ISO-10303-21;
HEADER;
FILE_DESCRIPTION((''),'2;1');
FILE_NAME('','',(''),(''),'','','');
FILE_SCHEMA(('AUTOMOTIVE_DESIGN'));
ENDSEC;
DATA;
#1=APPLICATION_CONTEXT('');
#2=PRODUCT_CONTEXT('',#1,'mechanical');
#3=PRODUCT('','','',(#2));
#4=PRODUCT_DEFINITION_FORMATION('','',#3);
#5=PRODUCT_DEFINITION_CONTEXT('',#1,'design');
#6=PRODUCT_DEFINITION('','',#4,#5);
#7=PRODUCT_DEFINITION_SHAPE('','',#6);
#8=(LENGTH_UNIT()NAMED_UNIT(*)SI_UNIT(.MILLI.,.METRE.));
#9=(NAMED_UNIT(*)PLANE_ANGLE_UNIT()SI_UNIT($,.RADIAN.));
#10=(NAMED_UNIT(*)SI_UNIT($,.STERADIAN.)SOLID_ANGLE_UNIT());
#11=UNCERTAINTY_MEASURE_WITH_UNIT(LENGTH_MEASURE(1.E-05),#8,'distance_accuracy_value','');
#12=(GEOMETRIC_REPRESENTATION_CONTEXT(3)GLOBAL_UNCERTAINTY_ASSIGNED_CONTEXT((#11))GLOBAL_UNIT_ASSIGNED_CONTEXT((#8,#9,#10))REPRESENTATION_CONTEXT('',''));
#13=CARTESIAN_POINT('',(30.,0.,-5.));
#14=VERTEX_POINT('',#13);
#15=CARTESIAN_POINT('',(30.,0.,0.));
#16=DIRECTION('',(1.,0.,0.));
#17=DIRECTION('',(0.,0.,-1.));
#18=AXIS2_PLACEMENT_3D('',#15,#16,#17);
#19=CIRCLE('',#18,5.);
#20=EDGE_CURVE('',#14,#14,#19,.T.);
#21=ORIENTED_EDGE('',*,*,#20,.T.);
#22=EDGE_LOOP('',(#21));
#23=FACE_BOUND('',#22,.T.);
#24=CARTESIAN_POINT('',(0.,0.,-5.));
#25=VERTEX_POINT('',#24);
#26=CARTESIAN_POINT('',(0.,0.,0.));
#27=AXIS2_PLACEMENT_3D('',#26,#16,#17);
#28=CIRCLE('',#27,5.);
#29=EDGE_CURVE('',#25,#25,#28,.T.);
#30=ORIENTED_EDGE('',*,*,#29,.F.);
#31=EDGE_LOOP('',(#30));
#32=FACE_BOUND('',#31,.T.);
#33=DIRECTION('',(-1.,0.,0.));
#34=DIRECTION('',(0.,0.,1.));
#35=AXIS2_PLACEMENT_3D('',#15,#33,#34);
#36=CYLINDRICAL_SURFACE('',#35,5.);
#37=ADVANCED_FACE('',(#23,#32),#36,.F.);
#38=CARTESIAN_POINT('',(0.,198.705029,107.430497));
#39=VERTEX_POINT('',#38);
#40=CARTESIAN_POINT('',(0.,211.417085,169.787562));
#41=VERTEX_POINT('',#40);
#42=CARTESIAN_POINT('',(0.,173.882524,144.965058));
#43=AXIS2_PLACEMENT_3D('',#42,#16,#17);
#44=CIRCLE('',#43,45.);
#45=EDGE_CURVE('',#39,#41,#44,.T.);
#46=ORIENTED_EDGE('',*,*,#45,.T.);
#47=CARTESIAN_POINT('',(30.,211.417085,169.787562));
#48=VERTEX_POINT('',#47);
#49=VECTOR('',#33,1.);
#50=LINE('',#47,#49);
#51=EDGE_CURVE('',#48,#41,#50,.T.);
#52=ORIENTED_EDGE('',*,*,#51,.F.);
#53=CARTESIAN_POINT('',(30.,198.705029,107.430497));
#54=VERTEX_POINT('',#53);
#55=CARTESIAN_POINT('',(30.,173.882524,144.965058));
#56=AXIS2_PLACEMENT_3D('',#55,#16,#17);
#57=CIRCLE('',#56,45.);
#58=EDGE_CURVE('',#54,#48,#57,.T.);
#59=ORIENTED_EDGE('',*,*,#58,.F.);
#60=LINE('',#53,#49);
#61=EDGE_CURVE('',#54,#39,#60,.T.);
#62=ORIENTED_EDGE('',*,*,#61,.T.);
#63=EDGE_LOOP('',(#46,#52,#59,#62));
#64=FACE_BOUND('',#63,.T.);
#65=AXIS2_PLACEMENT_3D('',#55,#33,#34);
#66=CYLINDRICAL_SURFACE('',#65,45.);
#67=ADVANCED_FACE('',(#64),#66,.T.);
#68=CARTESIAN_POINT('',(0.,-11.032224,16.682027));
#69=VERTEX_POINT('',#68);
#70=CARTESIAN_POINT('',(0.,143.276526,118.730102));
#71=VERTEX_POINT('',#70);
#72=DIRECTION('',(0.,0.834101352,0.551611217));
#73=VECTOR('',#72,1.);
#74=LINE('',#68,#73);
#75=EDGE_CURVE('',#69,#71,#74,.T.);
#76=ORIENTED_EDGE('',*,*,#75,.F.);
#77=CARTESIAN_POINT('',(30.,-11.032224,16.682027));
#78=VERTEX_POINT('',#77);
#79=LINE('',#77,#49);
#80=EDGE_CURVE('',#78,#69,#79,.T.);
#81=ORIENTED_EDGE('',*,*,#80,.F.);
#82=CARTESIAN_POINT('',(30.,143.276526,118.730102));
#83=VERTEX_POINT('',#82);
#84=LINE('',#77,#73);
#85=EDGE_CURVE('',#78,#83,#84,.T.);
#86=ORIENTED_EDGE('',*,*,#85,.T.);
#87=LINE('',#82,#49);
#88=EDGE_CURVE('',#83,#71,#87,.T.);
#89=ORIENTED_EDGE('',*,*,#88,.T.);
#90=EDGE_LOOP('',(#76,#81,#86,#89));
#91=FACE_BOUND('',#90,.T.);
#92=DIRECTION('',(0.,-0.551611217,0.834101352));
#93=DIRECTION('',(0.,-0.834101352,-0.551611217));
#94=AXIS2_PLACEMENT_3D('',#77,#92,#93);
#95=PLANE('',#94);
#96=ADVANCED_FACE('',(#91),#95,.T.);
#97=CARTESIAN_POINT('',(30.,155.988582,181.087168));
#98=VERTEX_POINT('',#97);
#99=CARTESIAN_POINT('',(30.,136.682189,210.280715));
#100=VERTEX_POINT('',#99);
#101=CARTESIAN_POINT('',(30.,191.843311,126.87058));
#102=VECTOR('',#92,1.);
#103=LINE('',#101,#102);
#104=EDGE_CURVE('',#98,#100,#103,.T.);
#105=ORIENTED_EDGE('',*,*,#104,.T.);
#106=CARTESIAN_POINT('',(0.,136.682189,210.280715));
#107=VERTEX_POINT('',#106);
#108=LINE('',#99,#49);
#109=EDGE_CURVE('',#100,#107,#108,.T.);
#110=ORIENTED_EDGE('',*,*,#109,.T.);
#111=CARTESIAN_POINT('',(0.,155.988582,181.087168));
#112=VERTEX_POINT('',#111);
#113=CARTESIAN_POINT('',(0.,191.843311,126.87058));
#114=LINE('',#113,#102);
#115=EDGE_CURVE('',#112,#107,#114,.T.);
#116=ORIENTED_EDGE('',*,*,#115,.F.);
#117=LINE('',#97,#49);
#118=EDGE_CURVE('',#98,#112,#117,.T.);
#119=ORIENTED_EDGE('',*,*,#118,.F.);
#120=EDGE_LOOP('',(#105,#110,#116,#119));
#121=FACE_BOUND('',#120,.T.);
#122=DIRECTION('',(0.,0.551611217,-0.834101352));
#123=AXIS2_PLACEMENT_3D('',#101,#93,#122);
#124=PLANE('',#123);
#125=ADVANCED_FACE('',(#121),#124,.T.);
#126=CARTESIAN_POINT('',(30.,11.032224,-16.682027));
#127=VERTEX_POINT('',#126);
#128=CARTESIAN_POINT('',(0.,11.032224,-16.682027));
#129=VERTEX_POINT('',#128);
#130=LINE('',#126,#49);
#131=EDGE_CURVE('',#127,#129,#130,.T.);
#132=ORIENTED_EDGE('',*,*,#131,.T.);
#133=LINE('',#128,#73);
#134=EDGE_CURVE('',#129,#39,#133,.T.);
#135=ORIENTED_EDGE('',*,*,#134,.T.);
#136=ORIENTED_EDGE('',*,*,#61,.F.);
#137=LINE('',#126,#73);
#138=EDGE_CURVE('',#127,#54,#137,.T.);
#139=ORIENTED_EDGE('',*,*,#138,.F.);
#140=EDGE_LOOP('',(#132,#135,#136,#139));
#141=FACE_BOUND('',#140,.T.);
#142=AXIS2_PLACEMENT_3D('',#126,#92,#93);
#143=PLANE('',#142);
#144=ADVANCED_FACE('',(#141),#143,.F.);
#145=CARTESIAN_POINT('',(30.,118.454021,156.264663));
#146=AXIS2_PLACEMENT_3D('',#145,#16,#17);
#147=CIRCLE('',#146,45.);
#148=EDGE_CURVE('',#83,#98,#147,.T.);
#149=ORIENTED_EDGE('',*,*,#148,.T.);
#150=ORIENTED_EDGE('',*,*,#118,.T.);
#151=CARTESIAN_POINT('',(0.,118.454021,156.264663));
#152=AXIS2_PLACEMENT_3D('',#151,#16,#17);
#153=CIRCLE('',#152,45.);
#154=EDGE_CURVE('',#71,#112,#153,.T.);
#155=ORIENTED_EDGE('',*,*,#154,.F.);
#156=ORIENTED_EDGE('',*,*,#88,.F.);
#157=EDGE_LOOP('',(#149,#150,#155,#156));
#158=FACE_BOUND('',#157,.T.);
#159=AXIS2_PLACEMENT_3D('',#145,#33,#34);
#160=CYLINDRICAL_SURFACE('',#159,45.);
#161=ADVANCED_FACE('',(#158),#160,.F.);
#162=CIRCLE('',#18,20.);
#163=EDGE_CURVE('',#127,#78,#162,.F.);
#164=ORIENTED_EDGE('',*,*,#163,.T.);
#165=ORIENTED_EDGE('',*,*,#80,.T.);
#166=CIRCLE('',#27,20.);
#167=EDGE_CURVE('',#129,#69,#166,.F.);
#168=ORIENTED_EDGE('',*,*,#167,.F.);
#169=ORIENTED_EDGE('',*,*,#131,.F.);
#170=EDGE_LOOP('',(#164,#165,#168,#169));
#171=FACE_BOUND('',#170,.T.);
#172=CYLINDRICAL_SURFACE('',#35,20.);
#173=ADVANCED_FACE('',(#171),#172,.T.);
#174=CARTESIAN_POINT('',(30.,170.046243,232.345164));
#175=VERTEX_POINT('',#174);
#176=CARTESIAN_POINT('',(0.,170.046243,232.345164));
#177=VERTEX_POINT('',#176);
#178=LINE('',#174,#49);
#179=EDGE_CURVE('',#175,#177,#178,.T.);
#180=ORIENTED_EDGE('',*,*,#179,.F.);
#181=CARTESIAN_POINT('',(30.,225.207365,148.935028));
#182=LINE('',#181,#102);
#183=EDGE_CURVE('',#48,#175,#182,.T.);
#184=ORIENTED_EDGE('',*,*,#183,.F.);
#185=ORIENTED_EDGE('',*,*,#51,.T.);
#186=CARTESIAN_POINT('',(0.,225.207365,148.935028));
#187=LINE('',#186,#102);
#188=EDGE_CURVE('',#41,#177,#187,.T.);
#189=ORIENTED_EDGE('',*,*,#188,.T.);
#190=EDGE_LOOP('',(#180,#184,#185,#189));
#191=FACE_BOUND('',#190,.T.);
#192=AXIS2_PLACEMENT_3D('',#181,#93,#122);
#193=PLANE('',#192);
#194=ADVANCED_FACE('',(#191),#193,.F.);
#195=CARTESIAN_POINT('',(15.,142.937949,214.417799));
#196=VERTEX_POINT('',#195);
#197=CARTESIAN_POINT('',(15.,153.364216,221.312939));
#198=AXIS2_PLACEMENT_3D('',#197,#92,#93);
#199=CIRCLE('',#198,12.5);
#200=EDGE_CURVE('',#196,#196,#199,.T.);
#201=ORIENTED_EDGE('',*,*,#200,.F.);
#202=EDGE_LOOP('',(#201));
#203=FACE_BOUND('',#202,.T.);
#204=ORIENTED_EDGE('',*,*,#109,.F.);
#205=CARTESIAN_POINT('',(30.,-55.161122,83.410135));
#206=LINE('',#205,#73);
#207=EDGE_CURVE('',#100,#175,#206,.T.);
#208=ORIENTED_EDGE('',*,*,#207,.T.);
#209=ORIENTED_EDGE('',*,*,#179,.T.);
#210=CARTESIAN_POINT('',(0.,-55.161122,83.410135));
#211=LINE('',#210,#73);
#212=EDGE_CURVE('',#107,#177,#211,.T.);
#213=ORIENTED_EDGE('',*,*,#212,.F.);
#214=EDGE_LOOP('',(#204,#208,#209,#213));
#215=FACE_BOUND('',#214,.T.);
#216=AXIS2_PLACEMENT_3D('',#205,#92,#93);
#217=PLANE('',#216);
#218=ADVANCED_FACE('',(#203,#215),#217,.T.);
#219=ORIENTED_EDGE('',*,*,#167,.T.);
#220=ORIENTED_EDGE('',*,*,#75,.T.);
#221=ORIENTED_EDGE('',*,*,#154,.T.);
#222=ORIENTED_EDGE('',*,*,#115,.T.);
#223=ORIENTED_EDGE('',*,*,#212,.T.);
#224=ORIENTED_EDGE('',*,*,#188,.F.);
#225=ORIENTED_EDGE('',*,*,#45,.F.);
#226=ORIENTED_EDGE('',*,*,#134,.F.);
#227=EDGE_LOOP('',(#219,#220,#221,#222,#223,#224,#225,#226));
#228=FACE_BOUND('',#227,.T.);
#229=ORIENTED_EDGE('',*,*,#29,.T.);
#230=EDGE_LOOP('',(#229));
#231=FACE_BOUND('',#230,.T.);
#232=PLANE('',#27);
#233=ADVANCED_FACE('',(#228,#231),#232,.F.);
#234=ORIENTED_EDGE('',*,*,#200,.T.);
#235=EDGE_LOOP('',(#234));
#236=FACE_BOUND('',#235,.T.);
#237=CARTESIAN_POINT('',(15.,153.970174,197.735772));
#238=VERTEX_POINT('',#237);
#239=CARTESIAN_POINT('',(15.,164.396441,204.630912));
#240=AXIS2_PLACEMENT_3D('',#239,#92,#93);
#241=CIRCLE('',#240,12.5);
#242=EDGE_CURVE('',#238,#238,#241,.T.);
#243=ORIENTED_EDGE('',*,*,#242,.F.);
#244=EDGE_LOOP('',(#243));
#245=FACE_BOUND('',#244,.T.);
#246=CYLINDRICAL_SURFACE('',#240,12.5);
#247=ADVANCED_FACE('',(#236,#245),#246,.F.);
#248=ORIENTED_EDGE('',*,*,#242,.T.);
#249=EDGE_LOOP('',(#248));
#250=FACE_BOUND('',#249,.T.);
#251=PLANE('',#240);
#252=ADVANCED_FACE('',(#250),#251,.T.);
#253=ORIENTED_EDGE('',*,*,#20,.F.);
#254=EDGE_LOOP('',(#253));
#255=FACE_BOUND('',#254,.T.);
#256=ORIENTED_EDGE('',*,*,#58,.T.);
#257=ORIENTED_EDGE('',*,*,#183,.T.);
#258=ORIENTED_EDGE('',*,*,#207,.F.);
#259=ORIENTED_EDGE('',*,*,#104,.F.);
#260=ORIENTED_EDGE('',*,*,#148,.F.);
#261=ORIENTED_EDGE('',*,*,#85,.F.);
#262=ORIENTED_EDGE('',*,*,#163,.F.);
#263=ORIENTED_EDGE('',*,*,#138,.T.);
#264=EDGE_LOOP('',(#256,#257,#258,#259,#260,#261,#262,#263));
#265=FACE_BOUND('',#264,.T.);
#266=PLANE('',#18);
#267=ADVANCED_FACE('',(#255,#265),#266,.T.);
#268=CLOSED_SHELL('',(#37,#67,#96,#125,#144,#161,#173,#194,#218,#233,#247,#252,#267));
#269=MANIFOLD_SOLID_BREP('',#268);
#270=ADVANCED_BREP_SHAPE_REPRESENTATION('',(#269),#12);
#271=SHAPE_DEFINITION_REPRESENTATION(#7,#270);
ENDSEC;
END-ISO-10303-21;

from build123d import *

# Parameters (mm, degrees)
SKETCH1_R           = 5
BOSS_EXTRUDE1_DEPTH = 30
SKETCH2_R           = 12.5
CUT_EXTRUDE1_DEPTH  = 20


with BuildPart() as part:
    # Sketch1 → Boss-Extrude1 (new body)
    with BuildSketch(Plane(origin=(0, 0, 0), x_dir=(0, 0, -1), z_dir=(1, 0, 0))):
        with BuildLine():
            Line((16.682027044, 11.032224332), (-107.430496688, 198.705028576))
            ThreePointArc((-107.430496688, 198.705028576), (-135.976276464, 217.975627767), (-169.787562283, 211.417084679))
            Line((-169.787562283, 211.417084679), (-232.345163698, 170.046243435))
            Line((-232.345163698, 170.046243435), (-210.280715034, 136.682189347))
            Line((-210.280715034, 136.682189347), (-181.087167707, 155.988581927))
            ThreePointArc((-181.087167707, 155.988581927), (-147.275881888, 162.547125016), (-118.730102112, 143.276525825))
            Line((-118.730102112, 143.276525825), (-16.682027044, -11.032224332))
            ThreePointArc((-16.682027044, -11.032224332), (11.032224332, -16.682027044), (16.682027044, 11.032224332))
        make_face()
        Circle(SKETCH1_R, mode=Mode.SUBTRACT)
    extrude(amount=BOSS_EXTRUDE1_DEPTH)

    # Sketch2 → Cut-Extrude1 (cut)
    with BuildSketch(Plane(origin=(0, -55.161121659, 83.41013522), x_dir=(1, 0, 0), z_dir=(0, -0.551611217, 0.834101352))):
        with Locations((15, 250)):
            Circle(SKETCH2_R)
    extrude(amount=-CUT_EXTRUDE1_DEPTH, mode=Mode.SUBTRACT)


solid = part.part
